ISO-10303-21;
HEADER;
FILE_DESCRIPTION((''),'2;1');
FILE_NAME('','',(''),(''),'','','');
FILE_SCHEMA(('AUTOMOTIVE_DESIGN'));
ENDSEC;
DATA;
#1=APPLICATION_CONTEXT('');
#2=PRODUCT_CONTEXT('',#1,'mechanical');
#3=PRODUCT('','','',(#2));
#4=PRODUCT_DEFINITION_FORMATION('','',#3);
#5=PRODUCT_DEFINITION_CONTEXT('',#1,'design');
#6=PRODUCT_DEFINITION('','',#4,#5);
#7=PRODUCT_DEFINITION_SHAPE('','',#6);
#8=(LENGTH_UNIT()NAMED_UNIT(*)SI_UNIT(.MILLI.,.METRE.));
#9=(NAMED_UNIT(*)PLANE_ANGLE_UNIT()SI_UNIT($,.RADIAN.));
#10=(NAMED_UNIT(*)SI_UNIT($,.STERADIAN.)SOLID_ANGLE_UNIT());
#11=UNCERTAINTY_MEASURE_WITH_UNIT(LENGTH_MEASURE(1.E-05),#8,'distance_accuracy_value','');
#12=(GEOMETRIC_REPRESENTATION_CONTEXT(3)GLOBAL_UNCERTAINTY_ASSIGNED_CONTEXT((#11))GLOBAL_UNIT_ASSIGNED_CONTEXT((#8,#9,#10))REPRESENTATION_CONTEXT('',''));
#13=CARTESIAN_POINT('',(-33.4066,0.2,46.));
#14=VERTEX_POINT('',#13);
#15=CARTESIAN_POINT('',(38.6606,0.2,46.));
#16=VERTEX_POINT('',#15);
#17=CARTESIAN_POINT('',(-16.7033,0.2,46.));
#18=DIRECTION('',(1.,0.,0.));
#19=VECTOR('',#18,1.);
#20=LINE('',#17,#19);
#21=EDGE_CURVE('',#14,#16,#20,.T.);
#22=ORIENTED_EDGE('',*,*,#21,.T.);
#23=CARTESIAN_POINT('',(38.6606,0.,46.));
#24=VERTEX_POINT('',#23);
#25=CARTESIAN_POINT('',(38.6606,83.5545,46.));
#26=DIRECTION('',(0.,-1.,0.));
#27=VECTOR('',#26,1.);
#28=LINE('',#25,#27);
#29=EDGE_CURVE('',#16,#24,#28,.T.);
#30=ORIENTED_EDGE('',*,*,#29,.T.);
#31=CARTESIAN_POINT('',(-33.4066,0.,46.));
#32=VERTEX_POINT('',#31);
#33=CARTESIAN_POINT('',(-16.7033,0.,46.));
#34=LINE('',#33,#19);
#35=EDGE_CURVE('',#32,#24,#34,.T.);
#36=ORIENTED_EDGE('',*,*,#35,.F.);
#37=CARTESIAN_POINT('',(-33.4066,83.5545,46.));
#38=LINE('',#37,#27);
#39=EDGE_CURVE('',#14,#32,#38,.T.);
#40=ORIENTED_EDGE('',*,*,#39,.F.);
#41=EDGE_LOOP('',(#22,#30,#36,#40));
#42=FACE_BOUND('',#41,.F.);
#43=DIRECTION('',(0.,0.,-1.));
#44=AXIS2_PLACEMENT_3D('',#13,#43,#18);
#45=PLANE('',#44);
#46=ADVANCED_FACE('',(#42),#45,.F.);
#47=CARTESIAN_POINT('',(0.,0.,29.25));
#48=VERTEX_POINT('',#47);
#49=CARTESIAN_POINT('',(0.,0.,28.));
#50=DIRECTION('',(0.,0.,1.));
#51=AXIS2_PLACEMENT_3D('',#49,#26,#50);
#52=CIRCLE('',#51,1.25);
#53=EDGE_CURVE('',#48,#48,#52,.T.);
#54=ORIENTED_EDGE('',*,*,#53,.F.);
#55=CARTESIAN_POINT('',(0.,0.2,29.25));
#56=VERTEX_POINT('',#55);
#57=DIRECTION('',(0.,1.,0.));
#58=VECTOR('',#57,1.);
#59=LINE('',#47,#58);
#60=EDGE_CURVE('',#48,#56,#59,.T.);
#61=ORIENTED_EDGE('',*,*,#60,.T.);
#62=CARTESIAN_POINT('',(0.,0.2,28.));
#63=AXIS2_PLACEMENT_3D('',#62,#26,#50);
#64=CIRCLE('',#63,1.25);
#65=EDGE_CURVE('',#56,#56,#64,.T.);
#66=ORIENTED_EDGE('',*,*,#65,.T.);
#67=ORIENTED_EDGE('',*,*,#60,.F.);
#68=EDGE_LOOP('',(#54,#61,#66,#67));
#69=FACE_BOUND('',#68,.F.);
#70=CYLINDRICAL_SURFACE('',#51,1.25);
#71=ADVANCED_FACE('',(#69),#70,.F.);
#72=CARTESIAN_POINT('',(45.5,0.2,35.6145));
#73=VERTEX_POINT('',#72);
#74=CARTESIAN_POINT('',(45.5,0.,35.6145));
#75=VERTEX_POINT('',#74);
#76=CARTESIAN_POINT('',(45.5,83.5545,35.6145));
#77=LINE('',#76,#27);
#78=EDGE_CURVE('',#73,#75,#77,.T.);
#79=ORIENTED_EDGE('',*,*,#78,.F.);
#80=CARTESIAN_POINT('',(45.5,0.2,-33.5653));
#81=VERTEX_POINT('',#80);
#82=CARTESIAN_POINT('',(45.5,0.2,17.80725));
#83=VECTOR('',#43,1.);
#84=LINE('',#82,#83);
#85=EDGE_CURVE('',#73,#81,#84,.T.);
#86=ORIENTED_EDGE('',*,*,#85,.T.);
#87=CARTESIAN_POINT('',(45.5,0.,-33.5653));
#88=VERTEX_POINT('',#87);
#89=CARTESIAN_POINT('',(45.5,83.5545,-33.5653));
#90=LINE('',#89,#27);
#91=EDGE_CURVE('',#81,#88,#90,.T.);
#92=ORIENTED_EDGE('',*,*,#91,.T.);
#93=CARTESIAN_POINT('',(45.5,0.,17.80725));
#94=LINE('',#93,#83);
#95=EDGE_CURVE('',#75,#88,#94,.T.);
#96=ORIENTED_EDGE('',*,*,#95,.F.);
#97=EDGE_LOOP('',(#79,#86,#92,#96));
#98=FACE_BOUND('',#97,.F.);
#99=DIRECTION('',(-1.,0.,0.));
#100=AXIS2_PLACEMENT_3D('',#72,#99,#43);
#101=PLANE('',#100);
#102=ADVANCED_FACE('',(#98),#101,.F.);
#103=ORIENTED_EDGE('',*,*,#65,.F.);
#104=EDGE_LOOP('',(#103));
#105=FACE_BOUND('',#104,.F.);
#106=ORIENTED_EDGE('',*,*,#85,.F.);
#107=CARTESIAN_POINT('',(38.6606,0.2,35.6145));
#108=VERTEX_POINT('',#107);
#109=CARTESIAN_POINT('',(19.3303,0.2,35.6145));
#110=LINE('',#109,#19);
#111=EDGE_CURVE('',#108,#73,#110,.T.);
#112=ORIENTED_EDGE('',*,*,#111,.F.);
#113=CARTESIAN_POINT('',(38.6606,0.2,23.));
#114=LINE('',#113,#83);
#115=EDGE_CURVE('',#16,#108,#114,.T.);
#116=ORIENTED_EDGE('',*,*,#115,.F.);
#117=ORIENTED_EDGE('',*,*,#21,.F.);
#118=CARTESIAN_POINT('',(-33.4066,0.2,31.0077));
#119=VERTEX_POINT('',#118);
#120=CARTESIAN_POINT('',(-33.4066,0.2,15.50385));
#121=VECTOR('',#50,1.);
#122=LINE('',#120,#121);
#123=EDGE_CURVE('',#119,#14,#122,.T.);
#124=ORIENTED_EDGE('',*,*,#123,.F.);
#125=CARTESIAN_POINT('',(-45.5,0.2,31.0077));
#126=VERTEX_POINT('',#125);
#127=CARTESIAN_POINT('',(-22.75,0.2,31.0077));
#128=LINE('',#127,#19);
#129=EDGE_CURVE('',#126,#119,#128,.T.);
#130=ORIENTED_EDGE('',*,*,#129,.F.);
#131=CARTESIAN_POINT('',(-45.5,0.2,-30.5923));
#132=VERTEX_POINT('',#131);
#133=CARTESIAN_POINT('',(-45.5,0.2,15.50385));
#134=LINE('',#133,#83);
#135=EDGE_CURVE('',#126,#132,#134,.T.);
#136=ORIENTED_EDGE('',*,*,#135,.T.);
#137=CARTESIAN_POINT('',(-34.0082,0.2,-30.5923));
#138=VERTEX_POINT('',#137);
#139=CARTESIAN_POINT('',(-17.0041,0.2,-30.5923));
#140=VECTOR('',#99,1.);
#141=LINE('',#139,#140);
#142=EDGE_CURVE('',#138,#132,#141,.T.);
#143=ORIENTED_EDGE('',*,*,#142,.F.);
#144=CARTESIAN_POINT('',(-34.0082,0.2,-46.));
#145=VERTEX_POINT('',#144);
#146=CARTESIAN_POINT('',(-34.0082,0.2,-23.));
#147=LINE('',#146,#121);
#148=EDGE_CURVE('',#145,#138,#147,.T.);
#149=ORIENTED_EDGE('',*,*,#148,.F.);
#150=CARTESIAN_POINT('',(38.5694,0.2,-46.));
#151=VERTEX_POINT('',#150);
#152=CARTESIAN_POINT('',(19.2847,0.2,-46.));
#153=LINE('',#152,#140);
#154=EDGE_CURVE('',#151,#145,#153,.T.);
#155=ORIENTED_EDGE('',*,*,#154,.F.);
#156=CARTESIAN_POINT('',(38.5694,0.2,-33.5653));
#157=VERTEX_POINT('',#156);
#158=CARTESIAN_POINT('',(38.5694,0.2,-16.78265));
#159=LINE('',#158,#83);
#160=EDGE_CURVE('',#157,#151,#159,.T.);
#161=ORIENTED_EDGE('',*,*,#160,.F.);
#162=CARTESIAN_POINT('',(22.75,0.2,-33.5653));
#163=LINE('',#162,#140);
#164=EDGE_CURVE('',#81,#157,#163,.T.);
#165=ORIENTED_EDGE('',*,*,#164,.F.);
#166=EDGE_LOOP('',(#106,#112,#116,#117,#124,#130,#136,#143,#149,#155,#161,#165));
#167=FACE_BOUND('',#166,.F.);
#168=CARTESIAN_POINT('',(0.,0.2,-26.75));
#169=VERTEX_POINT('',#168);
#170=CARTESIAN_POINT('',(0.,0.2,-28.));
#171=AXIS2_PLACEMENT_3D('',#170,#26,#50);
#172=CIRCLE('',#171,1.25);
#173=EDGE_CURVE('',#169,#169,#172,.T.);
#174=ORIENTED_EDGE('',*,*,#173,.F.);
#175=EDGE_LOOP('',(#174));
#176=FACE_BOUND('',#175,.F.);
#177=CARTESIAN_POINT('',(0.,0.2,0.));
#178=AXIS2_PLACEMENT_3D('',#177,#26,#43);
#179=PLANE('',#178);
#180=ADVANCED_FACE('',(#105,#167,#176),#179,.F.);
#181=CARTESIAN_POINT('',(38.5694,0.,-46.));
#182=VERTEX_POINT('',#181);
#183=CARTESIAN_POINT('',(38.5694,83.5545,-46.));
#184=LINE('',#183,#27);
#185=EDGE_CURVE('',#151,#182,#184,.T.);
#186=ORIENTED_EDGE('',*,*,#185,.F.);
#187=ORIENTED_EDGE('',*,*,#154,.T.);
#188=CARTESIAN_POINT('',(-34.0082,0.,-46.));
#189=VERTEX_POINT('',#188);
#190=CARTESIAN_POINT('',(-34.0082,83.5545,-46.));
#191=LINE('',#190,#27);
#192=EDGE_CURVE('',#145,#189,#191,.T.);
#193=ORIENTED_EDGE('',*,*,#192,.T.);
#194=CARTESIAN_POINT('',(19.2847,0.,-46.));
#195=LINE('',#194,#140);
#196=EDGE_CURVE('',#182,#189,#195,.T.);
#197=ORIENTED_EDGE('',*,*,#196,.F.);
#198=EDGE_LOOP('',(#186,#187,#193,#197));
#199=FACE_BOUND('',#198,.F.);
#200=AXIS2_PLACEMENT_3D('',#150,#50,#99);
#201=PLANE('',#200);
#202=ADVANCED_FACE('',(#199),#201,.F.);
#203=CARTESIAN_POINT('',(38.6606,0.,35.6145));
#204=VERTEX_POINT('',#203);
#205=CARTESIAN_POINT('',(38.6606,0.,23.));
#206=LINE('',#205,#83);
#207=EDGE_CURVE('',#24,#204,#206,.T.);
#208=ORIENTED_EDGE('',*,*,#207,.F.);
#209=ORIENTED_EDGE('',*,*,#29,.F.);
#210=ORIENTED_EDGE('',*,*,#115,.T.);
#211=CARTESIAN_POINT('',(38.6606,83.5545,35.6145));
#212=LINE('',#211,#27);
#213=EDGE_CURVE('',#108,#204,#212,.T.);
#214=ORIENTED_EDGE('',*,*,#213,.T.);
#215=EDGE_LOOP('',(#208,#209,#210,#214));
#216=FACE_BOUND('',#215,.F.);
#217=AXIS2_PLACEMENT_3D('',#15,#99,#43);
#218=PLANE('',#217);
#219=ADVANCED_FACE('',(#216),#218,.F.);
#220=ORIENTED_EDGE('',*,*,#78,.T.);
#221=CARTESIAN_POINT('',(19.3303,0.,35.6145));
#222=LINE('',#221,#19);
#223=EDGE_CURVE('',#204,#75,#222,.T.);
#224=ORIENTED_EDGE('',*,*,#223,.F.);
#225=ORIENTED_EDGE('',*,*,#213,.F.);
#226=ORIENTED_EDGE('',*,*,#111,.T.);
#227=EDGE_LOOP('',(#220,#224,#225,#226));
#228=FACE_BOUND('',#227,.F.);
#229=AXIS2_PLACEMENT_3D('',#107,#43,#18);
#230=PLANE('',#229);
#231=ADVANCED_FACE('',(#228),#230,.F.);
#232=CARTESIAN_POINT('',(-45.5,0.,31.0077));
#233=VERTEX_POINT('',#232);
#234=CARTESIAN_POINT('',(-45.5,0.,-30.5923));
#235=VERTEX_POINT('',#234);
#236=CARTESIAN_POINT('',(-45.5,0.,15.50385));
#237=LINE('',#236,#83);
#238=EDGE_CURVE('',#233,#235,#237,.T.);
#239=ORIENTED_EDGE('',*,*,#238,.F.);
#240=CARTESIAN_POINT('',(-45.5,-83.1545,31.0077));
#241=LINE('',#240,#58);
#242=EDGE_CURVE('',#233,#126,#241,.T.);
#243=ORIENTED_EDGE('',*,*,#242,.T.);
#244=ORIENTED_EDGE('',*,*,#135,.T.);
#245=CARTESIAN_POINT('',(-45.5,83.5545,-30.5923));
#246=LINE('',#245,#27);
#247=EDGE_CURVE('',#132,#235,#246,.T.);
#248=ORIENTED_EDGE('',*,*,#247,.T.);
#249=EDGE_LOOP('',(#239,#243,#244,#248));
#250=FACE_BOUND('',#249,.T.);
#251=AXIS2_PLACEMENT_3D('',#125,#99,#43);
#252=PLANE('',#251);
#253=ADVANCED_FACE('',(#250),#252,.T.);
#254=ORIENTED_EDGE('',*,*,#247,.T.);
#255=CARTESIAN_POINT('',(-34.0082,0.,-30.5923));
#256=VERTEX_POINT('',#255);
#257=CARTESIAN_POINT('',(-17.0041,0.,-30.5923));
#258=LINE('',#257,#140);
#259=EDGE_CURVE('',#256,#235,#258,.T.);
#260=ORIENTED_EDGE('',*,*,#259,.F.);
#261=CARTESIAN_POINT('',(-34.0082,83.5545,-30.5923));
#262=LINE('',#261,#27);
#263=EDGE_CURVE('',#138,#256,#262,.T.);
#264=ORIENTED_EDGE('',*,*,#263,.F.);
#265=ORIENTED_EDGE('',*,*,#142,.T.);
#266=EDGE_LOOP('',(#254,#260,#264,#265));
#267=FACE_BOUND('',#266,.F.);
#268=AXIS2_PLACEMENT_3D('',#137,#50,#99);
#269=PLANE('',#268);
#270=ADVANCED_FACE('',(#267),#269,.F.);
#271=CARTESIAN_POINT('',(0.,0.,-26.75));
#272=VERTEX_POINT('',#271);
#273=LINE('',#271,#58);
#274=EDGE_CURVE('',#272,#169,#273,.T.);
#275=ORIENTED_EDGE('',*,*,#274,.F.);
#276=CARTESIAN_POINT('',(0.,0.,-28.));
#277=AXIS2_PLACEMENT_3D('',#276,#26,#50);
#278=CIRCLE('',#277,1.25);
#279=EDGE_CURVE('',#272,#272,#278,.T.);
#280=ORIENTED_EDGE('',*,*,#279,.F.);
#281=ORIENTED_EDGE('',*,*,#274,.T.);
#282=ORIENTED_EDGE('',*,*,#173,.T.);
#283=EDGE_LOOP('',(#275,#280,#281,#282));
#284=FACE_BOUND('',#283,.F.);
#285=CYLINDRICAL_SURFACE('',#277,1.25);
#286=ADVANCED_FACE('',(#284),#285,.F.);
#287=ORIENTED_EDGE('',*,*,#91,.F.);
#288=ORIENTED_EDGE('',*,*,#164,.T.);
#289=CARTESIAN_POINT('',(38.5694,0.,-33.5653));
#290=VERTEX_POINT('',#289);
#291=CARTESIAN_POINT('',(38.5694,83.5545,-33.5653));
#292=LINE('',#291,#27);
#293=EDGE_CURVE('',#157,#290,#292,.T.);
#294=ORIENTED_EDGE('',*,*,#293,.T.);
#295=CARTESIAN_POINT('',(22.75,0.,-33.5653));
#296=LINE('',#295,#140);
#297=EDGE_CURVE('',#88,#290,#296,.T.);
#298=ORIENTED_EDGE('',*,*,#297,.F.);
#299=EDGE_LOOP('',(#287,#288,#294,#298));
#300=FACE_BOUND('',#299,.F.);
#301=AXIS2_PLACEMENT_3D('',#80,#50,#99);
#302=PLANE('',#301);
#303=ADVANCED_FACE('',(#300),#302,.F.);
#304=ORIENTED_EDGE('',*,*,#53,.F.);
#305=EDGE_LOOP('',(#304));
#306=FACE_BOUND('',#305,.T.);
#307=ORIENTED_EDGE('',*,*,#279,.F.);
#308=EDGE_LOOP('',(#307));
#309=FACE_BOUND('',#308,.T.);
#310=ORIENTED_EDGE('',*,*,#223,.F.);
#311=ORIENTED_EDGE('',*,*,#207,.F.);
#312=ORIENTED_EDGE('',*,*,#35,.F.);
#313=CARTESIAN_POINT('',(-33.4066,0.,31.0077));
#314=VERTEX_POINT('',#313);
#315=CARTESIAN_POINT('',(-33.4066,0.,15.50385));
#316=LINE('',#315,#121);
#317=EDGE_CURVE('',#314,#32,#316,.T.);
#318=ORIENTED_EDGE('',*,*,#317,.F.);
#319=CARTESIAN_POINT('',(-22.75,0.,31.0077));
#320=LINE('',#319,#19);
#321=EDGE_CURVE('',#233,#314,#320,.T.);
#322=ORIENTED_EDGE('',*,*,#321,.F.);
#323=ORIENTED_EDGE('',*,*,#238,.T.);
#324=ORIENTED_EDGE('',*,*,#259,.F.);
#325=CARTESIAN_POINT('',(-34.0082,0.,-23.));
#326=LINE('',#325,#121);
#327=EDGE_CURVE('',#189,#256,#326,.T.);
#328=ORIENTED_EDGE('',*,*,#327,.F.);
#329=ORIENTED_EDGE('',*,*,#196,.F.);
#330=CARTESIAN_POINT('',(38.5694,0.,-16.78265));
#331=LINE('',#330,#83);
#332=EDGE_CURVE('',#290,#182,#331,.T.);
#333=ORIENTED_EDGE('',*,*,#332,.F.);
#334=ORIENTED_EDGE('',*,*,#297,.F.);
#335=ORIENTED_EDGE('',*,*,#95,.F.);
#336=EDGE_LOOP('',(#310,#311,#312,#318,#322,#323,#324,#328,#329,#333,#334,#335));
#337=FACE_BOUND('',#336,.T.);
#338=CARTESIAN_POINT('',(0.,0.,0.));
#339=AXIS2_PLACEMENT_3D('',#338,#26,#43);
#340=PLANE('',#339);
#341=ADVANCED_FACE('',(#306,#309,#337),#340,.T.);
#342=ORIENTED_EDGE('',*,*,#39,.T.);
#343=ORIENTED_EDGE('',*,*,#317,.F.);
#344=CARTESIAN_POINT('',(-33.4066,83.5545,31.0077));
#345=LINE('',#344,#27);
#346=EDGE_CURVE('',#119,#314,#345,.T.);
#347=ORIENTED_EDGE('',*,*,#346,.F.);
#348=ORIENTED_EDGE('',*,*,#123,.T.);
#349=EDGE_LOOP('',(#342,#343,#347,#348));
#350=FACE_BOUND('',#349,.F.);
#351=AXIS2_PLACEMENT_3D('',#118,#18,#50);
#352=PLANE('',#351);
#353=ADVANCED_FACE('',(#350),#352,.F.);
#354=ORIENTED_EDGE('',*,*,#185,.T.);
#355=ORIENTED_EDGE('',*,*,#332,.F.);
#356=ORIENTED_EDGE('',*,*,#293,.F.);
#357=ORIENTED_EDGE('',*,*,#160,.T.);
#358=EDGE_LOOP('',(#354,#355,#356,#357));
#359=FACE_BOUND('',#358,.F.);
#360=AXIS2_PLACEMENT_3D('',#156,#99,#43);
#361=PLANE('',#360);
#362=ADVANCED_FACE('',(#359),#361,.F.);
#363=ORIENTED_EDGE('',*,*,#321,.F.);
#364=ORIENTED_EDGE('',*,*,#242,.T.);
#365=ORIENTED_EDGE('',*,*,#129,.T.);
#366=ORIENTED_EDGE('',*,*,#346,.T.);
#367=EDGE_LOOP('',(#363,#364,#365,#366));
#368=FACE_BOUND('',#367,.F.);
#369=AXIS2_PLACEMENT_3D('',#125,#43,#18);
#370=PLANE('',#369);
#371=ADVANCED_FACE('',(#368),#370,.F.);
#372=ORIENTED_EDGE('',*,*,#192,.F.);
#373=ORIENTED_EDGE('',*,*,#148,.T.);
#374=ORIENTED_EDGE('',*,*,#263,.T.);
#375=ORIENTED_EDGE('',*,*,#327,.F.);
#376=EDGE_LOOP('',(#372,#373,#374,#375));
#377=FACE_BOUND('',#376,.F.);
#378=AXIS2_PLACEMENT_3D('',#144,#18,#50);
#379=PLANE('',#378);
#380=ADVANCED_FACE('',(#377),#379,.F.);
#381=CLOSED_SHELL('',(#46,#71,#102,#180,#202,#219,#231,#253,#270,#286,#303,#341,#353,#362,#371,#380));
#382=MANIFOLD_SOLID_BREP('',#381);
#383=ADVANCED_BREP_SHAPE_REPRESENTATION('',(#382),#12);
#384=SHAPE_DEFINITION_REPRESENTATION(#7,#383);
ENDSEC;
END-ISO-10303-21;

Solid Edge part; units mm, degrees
sketch "Sketch1" plane through (0, 0, 0) normal (0, -1, 0) x (1, 0, 0)
  line L0 (-47, -47) -> (47, -47)
  line L1 (47, -47) -> (47, 47)
  line L2 (47, 47) -> (-47, 47)
  line L3 (-47, 47) -> (-47, -47)
  dimension "D1" = 47
  dimension "D2" = 47
  dimension "D3" = 47
  dimension "D4" = 47
extrude "Protrusion1" add sketch "Sketch1" against normal blind 0.2
sketch "Sketch2" plane through (0, 0.2, 0) normal (0, 1, 0) x (0, 0, -1)
  line L0 (-31.0077, 45.5) -> (-31.0077, 33.4066)
  line L1 (-31.0077, 33.4066) -> (-46, 33.4066)
  line L2 (-46, 33.4066) -> (-46, -38.6606)
  line L3 (-46, -38.6606) -> (-35.6145, -38.6606)
  line L4 (-35.6145, -38.6606) -> (-35.6145, -45.5)
  line L5 (-35.6145, -45.5) -> (33.5653, -45.5)
  line L6 (33.5653, -45.5) -> (33.5653, -38.5694)
  line L7 (33.5653, -38.5694) -> (46, -38.5694)
  line L8 (46, -38.5694) -> (46, 34.0082)
  line L9 (46, 34.0082) -> (30.5923, 34.0082)
  line L10 (30.5923, 34.0082) -> (30.5923, 44.4526)
  line L11 (30.5923, 45.5) -> (30.5923, 44.4526)
  line L12 (-31.0077, 45.5) -> (30.5923, 45.5)
  dimension "D1" = 1
  dimension "D2" = 1
  dimension "D3" = 1
  dimension "D4" = 1
  dimension "D5" = 1
  dimension "D6" = 1
  dimension "D7" = 1
  dimension "D8" = 1
  dimension "D9" = 1
  dimension "D10" = 1
extrude "Cutout1" cut sketch "Sketch2" along normal mid plane 166.709 flip side to cut
sketch "Sketch3" plane through (0, 0, 0) normal (0, -1, 0) x (0, 0, 1)
  circle A0 centre (28, 0) radius 1.25
  dimension "D1" = 18
extrude "ExtrudedCutout_4" cut sketch "Sketch3" along normal mid plane 10.5197
sketch "Sketch4" plane through (0, 0, 0) normal (0, -1, 0) x (0, 0, 1)
  circle A0 centre (-28, 0) radius 1.25
  dimension "D1" = 18
extrude "ExtrudedCutout_5" cut sketch "Sketch4" along normal mid plane 893.0188
properties material "Copper"
